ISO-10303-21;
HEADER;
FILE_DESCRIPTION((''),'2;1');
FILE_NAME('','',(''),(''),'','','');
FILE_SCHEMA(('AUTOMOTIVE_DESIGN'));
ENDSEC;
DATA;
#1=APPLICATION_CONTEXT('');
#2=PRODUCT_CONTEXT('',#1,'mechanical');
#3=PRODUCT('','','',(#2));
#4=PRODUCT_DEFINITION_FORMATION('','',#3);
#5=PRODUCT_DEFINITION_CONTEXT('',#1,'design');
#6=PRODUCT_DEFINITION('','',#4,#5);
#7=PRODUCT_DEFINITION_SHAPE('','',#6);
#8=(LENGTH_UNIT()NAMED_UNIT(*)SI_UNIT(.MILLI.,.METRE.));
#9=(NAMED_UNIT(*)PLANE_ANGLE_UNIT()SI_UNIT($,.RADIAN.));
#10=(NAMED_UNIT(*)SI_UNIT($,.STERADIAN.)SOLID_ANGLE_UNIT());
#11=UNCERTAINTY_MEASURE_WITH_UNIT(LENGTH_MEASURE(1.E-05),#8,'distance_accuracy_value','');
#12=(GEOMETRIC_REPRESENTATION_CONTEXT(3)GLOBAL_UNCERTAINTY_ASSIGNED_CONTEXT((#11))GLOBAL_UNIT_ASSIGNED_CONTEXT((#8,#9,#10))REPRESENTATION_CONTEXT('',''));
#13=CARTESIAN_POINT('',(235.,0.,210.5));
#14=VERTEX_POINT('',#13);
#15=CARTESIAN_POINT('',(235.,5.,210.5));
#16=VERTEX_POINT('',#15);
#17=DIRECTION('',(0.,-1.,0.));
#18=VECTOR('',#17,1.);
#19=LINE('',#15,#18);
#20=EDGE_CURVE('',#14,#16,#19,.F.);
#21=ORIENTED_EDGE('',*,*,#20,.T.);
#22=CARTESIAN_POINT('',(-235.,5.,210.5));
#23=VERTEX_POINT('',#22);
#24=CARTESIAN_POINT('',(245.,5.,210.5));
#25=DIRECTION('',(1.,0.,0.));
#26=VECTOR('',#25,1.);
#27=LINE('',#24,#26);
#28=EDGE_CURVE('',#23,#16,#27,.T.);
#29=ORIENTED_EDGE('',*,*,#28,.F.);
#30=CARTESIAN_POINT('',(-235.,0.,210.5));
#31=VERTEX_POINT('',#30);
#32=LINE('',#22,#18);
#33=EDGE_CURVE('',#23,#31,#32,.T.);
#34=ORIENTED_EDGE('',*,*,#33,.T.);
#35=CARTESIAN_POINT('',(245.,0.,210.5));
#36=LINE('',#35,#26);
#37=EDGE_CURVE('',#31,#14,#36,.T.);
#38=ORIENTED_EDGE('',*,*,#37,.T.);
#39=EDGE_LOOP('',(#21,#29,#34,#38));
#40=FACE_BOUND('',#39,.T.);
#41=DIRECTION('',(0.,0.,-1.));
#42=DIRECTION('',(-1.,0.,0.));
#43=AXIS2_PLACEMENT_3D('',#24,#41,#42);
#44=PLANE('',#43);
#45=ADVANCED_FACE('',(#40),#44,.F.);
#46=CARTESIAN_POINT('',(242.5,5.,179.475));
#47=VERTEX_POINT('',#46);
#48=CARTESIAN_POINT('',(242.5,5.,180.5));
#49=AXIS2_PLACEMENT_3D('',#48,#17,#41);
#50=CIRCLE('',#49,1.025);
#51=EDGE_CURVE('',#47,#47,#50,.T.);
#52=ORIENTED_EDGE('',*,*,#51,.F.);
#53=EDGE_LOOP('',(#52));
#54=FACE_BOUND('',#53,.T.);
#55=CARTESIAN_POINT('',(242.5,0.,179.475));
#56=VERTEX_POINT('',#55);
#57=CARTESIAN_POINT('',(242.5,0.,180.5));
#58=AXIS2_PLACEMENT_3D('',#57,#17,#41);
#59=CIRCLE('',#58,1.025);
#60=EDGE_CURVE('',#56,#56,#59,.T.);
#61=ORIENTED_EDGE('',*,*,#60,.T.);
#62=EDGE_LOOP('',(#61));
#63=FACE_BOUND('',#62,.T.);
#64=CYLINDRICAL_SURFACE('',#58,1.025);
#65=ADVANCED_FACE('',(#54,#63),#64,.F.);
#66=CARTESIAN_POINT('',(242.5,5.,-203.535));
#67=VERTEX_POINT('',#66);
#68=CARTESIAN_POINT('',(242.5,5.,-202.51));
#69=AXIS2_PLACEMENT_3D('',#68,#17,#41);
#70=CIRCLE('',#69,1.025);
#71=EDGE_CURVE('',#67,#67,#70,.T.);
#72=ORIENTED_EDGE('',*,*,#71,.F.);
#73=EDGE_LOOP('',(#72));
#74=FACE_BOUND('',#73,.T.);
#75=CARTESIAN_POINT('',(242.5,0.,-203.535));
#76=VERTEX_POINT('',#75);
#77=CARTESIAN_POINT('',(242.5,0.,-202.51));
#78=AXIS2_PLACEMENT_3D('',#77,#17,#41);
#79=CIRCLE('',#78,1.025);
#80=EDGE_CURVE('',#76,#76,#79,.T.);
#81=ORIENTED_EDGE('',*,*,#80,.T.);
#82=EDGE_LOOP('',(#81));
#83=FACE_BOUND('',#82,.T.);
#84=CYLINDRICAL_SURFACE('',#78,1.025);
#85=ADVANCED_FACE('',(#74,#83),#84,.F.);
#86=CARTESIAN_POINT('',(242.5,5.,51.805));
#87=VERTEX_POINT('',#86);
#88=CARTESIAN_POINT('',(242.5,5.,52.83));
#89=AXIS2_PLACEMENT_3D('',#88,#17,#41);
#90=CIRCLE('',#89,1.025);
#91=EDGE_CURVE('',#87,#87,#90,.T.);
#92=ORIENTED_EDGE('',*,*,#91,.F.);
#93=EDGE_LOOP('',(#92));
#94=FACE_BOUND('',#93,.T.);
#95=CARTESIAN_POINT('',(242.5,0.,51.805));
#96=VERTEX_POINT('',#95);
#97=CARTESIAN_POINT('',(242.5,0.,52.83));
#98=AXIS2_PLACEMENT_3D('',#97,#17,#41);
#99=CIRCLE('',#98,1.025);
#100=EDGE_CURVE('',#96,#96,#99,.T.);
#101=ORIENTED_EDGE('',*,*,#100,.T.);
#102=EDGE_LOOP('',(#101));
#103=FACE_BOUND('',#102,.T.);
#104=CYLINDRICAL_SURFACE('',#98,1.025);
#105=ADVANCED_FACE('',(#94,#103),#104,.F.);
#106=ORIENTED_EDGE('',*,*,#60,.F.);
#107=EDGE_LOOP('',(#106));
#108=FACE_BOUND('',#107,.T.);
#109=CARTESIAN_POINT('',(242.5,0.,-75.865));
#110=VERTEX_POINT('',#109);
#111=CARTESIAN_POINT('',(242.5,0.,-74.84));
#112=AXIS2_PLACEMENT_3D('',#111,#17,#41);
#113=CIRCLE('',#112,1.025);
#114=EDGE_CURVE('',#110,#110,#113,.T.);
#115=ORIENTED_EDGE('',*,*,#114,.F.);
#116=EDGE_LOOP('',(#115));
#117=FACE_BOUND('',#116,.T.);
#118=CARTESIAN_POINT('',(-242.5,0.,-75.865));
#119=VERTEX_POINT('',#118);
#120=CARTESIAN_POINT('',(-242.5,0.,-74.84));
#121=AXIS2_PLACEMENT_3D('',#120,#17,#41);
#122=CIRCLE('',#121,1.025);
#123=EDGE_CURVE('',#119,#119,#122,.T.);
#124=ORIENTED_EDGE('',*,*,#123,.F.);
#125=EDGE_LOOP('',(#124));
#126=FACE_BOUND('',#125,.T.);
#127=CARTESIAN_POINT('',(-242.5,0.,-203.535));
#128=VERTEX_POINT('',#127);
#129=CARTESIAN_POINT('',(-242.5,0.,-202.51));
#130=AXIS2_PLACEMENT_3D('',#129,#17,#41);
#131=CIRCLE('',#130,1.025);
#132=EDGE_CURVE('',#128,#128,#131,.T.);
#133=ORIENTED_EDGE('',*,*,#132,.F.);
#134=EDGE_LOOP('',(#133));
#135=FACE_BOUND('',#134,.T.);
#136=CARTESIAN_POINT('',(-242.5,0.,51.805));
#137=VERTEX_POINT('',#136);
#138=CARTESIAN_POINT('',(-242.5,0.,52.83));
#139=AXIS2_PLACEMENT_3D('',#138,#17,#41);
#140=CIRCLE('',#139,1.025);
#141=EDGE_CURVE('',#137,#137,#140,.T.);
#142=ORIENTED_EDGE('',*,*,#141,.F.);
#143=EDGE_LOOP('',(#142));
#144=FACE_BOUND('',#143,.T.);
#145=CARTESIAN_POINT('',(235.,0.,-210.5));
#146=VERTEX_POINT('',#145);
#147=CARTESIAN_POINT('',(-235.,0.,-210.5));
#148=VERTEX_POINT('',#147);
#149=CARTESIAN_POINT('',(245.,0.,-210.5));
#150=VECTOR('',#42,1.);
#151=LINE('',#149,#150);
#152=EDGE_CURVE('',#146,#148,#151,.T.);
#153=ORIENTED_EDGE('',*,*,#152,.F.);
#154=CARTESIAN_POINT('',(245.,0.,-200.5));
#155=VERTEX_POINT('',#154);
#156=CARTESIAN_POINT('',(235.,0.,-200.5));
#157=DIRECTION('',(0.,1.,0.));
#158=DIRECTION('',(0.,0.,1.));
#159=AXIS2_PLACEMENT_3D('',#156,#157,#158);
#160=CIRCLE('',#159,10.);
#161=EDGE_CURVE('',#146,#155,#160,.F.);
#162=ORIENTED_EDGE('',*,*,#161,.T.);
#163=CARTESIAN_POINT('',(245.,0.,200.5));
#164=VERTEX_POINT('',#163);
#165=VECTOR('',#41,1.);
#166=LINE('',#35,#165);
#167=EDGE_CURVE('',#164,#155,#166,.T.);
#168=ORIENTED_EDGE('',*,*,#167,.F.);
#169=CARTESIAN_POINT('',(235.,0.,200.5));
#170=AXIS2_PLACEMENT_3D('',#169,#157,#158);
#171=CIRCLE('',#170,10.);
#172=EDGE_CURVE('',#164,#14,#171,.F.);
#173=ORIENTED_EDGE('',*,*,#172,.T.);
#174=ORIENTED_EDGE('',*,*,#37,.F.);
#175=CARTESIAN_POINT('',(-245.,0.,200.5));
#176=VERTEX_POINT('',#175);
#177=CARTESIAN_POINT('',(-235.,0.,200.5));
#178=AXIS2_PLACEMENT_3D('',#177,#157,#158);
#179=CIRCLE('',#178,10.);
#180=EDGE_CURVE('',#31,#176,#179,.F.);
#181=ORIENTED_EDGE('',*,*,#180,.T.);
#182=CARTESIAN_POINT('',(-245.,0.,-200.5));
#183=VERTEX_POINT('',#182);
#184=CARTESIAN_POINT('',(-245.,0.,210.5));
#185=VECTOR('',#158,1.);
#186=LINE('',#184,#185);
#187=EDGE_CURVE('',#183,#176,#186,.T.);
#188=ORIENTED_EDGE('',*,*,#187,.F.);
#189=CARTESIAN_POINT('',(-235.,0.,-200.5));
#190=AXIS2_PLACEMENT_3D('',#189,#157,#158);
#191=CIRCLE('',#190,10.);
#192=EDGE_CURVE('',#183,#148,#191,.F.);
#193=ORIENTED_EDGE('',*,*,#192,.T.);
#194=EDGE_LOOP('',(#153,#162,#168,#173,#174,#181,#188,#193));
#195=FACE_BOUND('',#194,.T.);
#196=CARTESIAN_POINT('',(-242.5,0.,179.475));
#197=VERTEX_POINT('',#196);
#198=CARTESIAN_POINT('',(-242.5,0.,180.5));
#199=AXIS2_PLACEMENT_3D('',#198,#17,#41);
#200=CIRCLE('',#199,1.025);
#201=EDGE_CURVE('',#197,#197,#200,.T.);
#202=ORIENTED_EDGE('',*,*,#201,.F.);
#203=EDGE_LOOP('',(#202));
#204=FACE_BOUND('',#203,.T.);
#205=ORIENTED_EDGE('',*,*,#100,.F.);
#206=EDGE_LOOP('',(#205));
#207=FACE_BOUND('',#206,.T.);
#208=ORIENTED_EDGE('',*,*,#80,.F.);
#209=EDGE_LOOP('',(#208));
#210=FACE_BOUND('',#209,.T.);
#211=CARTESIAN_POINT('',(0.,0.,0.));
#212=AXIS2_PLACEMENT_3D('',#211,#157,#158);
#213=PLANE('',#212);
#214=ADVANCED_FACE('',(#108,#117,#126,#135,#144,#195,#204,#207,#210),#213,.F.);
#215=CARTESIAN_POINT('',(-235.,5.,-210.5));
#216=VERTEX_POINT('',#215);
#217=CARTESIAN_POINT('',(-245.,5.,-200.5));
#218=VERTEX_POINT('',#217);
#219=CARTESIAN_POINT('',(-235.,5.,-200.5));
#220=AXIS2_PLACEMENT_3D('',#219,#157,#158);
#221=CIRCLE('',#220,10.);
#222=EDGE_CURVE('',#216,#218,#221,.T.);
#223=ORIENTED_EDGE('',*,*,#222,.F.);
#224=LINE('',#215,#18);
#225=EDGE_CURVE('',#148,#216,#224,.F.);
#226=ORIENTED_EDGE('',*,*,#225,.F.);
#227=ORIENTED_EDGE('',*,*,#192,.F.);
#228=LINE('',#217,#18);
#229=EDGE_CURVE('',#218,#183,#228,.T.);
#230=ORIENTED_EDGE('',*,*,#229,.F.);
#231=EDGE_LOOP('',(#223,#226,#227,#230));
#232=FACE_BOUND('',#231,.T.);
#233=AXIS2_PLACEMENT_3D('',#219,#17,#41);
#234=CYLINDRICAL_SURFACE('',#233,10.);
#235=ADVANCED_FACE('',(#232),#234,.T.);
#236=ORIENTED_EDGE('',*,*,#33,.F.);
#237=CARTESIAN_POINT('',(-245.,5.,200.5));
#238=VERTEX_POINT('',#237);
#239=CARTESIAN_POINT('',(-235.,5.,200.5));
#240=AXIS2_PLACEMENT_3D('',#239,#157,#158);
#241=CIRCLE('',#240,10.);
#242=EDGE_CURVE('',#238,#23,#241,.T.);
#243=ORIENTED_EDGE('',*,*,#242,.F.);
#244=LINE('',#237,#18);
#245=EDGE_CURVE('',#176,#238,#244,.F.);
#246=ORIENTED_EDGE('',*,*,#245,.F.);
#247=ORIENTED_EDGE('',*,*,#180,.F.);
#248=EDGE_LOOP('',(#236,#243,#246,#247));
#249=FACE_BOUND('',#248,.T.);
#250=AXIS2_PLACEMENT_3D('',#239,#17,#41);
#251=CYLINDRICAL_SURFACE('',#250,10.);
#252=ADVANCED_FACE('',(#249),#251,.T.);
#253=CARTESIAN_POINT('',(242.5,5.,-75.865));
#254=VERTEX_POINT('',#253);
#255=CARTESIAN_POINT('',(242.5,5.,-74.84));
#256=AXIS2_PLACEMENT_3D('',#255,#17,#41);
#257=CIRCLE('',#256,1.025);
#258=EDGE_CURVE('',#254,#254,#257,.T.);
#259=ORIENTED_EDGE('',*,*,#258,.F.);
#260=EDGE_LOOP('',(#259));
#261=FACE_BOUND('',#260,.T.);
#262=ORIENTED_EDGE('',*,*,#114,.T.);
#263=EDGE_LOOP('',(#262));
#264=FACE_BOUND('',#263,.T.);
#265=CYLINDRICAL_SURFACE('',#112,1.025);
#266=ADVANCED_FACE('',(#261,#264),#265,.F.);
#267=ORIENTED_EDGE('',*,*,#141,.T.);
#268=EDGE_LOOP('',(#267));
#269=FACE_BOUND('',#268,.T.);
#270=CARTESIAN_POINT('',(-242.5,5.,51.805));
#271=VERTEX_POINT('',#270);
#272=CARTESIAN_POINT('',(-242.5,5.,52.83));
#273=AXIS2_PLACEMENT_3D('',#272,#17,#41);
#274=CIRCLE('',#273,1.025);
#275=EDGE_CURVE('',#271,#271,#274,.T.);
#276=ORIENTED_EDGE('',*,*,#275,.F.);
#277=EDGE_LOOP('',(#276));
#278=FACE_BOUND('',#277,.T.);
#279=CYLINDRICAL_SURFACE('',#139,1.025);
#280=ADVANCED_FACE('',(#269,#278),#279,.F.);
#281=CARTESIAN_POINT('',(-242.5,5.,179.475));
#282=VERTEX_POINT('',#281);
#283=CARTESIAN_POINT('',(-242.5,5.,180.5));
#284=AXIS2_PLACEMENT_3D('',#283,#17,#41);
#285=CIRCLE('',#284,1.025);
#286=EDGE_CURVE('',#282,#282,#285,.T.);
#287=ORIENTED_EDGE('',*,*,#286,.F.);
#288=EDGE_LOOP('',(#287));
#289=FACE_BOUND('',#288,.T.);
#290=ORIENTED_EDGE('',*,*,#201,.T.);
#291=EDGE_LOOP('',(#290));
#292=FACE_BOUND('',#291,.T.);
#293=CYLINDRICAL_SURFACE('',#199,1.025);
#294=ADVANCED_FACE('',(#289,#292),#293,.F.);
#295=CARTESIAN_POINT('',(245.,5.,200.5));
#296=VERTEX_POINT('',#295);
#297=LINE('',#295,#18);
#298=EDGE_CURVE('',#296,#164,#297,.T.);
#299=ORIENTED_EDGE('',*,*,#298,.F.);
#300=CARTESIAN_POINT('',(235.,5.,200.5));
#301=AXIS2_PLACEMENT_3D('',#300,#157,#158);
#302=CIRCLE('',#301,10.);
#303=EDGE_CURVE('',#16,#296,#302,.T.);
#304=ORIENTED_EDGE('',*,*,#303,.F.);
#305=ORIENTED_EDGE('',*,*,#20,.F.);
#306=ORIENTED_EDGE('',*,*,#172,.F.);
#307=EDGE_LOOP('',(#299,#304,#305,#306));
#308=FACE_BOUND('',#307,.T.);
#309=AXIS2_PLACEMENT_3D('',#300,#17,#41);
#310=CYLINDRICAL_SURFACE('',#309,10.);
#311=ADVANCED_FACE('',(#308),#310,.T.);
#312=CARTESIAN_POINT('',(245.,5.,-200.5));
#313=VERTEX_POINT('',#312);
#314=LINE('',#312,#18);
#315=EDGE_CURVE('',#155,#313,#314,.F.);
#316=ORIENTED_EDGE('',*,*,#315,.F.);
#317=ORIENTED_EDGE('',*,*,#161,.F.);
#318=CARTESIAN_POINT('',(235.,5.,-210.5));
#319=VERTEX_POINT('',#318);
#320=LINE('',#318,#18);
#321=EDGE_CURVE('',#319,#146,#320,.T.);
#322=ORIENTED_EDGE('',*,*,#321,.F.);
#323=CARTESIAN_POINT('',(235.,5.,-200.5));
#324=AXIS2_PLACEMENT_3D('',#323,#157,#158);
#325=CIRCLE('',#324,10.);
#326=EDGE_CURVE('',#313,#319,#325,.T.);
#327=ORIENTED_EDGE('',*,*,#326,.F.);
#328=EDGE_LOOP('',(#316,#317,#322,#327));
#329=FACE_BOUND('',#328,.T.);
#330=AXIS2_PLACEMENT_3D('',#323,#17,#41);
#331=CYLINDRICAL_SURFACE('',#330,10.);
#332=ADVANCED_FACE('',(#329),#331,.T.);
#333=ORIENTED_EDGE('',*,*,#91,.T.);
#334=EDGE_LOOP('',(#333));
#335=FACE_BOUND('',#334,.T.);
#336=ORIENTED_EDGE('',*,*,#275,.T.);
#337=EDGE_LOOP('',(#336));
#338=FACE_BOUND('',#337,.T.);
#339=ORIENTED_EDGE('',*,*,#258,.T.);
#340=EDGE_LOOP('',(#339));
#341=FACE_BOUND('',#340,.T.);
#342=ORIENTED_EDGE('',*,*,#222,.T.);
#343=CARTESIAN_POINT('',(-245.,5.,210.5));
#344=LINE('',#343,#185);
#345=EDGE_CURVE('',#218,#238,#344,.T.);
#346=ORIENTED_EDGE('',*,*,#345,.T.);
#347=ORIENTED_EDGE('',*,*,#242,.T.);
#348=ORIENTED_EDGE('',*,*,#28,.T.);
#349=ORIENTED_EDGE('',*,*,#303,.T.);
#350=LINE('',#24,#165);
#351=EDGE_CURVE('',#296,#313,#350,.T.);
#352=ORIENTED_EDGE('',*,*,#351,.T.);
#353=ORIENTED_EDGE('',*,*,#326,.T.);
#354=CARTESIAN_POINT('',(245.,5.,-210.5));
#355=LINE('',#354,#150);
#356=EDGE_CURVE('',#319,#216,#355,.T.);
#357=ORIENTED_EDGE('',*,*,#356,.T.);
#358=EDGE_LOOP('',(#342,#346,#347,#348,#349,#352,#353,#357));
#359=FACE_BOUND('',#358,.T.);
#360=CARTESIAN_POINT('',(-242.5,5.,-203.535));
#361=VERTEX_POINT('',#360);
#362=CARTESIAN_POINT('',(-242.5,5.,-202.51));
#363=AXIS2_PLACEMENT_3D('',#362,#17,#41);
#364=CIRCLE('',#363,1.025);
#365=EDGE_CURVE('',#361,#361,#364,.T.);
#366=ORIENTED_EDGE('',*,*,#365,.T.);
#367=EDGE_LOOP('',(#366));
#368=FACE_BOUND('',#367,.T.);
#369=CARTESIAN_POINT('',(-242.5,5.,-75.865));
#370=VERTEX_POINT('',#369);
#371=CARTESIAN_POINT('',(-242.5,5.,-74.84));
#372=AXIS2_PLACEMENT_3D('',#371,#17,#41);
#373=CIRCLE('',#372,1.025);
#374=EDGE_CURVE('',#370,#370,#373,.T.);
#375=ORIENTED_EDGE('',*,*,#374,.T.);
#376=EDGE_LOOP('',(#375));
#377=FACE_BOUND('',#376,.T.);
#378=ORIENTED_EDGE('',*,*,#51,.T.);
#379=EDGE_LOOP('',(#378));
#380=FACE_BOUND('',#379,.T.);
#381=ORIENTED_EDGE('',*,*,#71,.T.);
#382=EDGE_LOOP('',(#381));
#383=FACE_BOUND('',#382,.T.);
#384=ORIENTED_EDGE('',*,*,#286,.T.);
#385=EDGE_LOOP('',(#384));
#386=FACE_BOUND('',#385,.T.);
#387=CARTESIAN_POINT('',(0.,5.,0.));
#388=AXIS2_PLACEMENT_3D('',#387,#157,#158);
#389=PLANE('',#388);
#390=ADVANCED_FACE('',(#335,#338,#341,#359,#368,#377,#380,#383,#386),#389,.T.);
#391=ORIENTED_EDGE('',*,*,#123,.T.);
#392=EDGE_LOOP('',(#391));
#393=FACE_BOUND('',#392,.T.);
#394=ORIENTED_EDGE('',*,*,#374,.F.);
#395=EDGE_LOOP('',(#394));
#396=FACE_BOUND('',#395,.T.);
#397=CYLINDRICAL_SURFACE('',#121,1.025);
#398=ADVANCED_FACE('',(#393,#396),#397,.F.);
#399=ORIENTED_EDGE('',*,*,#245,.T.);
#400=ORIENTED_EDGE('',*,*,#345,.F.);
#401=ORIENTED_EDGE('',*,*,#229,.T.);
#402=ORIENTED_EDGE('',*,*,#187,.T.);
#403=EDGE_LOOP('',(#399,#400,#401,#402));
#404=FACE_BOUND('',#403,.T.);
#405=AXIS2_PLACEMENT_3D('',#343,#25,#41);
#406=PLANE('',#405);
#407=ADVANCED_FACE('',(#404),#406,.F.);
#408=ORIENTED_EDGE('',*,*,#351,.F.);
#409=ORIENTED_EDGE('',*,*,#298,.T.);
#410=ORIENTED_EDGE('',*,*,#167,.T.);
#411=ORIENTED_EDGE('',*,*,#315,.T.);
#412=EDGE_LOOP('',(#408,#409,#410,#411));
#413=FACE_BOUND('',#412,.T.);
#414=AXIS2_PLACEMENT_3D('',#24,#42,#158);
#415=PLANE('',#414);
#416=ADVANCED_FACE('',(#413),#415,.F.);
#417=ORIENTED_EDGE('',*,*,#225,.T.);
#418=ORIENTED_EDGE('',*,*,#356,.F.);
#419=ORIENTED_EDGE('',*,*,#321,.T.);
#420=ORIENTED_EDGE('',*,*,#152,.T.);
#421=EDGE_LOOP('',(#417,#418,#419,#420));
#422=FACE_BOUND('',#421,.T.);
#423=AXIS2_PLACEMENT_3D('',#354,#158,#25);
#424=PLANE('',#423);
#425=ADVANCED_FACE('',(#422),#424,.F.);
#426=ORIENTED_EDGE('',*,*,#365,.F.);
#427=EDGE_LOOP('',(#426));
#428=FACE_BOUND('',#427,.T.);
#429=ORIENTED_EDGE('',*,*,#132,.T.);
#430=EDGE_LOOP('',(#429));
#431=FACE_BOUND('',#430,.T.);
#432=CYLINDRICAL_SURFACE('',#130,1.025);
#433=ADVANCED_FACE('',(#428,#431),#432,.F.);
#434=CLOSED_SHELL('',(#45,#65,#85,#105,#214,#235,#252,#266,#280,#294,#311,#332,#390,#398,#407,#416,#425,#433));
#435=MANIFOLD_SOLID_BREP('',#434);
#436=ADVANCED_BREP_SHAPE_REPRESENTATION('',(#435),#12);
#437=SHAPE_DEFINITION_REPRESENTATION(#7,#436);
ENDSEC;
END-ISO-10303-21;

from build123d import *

# Parameters (mm, degrees)
SKETCH1_W           = 490
SKETCH1_H           = 421
BOSS_EXTRUDE1_DEPTH = 5
FILLET1_R           = 10
LPATTERN2_COUNT     = 4
LPATTERN2_PITCH     = 127.67


with BuildPart() as part:
    # Sketch1 → Boss-Extrude1 (new body)
    with BuildSketch(Plane(origin=(0, 0, 0), x_dir=(1, 0, 0), z_dir=(0, 1, 0))):
        Rectangle(SKETCH1_W, SKETCH1_H)
    extrude(amount=BOSS_EXTRUDE1_DEPTH)

    # Fillet1
    fillet1_edges = [part.edges().sort_by_distance(p)[0] for p in [
        (-245, 2.5, -210.5),
        (245, 2.5, -210.5),
        (245, 2.5, 210.5),
        (-245, 2.5, 210.5),
    ]]
    fillet(fillet1_edges, radius=FILLET1_R)

    # Sketch4 → Tap Drill for M2.5x0.45 Tap1 (revolve, cut)
    with BuildSketch(Plane(origin=(-242.5, 0, 180.5), x_dir=(0, 0, -1), z_dir=(1, 0, 0))):
        Polygon((0, 0), (0, 5.615882135), (1.025, 5), (1.025, 0), align=None)
    tap_drill_for_m2_5x0_45_tap1 = revolve(axis=Axis((-242.5, -6.35, 180.5), (0, 1, 0)), mode=Mode.SUBTRACT)

    # LPattern2: Tap Drill for M2.5x0.45 Tap1 ×4
    with Locations(*[(0, 0, -i * LPATTERN2_PITCH) for i in range(1, LPATTERN2_COUNT)]):
        add(tap_drill_for_m2_5x0_45_tap1, mode=Mode.SUBTRACT)

    # Mirror2: Tap Drill for M2.5x0.45 Tap1 across plane
    add(tap_drill_for_m2_5x0_45_tap1.mirror(Plane(origin=(0, 0, 0), x_dir=(0, 0, 1), z_dir=(1, 0, 0))), mode=Mode.SUBTRACT)

    # Mirror2 copy 1 sketch → Mirror2 copy 1 (revolve, cut)
    with BuildSketch(Plane(origin=(242.5, 0, 52.83), x_dir=(0, 0, -1), z_dir=(-1, 0, 0))):
        Polygon((0, 0), (0, -5.615882135), (1.025, -5), (1.025, 0), align=None)
    revolve(axis=Axis((242.5, -6.35, 52.83), (0, -1, 0)), mode=Mode.SUBTRACT)

    # Mirror2 copy 2 sketch → Mirror2 copy 2 (revolve, cut)
    with BuildSketch(Plane(origin=(242.5, 0, -74.84), x_dir=(0, 0, -1), z_dir=(-1, 0, 0))):
        Polygon((0, 0), (0, -5.615882135), (1.025, -5), (1.025, 0), align=None)
    revolve(axis=Axis((242.5, -6.35, -74.84), (0, -1, 0)), mode=Mode.SUBTRACT)

    # Mirror2 copy 3 sketch → Mirror2 copy 3 (revolve, cut)
    with BuildSketch(Plane(origin=(242.5, 0, -202.51), x_dir=(0, 0, -1), z_dir=(-1, 0, 0))):
        Polygon((0, 0), (0, -5.615882135), (1.025, -5), (1.025, 0), align=None)
    revolve(axis=Axis((242.5, -6.35, -202.51), (0, -1, 0)), mode=Mode.SUBTRACT)


solid = part.part
